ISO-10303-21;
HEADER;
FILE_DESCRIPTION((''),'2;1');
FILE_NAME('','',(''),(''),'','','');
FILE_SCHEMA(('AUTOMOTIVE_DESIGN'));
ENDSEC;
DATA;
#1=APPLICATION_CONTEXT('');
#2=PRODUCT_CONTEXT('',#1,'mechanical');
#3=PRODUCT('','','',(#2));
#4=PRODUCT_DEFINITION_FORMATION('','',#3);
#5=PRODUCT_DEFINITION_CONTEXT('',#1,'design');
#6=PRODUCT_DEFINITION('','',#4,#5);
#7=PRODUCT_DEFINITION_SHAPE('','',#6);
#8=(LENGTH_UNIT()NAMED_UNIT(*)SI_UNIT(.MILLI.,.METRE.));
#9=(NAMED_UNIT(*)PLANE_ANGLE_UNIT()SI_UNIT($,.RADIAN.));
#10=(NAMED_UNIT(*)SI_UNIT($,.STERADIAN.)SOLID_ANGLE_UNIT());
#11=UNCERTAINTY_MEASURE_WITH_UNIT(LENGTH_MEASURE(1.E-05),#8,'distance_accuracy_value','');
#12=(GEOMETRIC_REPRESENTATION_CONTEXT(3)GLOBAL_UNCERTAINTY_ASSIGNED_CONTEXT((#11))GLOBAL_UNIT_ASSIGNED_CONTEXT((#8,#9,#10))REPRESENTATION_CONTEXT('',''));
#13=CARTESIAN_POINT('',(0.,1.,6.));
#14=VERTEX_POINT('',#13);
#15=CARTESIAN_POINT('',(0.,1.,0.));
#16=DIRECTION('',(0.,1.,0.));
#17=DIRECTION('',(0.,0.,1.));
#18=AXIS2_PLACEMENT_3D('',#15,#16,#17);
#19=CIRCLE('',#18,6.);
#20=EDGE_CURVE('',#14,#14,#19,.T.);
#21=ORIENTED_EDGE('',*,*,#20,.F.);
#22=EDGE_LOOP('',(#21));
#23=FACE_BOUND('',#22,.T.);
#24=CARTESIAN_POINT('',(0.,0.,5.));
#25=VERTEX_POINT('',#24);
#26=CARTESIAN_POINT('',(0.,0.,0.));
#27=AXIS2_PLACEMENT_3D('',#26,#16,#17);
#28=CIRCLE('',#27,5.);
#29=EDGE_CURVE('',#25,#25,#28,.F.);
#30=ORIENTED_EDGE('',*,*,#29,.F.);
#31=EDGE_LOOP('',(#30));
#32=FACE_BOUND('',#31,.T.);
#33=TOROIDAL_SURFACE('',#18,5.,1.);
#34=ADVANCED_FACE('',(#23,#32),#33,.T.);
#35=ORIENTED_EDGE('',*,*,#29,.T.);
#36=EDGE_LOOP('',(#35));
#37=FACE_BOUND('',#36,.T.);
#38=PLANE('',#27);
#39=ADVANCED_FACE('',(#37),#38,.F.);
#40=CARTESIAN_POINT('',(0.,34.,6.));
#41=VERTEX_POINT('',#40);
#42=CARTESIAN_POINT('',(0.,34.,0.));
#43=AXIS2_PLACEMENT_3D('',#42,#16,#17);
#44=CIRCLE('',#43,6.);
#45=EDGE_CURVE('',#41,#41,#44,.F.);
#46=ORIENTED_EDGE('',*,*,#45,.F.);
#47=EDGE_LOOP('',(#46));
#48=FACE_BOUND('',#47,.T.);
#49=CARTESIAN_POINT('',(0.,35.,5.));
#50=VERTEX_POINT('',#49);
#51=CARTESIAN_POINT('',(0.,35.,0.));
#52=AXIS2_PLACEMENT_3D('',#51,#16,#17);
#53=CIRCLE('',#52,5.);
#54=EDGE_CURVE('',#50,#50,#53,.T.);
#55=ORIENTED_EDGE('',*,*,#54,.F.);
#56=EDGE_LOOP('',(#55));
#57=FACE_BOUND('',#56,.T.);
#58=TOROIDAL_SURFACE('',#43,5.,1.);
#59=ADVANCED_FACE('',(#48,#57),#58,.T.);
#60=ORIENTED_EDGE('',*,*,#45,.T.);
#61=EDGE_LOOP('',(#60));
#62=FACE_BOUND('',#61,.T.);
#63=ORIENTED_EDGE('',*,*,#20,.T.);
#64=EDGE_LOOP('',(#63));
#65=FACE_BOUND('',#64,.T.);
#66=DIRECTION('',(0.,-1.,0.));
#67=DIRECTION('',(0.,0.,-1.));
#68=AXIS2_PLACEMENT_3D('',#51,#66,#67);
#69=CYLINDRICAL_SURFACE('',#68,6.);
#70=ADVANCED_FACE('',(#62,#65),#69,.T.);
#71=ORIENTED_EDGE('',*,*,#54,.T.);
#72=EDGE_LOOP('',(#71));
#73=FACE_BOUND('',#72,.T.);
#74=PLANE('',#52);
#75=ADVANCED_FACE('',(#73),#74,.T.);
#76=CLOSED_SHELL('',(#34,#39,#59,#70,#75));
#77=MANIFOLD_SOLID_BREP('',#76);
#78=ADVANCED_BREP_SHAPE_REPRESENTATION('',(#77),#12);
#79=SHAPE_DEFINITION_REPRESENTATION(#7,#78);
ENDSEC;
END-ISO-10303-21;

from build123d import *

# Parameters (mm, degrees)
SKETCH1_R           = 6
BOSS_EXTRUDE1_DEPTH = 35
FILLET1_R           = 1


with BuildPart() as part:
    # Sketch1 → Boss-Extrude1 (new body)
    with BuildSketch(Plane(origin=(0, 0, 0), x_dir=(1, 0, 0), z_dir=(0, 1, 0))):
        Circle(SKETCH1_R)
    extrude(amount=BOSS_EXTRUDE1_DEPTH)

    # Fillet1
    fillet1_edges = [part.edges().sort_by_distance(p)[0] for p in [
        (-6, 0, 0),
        (-6, 35, 0),
    ]]
    fillet(fillet1_edges, radius=FILLET1_R)


solid = part.part
